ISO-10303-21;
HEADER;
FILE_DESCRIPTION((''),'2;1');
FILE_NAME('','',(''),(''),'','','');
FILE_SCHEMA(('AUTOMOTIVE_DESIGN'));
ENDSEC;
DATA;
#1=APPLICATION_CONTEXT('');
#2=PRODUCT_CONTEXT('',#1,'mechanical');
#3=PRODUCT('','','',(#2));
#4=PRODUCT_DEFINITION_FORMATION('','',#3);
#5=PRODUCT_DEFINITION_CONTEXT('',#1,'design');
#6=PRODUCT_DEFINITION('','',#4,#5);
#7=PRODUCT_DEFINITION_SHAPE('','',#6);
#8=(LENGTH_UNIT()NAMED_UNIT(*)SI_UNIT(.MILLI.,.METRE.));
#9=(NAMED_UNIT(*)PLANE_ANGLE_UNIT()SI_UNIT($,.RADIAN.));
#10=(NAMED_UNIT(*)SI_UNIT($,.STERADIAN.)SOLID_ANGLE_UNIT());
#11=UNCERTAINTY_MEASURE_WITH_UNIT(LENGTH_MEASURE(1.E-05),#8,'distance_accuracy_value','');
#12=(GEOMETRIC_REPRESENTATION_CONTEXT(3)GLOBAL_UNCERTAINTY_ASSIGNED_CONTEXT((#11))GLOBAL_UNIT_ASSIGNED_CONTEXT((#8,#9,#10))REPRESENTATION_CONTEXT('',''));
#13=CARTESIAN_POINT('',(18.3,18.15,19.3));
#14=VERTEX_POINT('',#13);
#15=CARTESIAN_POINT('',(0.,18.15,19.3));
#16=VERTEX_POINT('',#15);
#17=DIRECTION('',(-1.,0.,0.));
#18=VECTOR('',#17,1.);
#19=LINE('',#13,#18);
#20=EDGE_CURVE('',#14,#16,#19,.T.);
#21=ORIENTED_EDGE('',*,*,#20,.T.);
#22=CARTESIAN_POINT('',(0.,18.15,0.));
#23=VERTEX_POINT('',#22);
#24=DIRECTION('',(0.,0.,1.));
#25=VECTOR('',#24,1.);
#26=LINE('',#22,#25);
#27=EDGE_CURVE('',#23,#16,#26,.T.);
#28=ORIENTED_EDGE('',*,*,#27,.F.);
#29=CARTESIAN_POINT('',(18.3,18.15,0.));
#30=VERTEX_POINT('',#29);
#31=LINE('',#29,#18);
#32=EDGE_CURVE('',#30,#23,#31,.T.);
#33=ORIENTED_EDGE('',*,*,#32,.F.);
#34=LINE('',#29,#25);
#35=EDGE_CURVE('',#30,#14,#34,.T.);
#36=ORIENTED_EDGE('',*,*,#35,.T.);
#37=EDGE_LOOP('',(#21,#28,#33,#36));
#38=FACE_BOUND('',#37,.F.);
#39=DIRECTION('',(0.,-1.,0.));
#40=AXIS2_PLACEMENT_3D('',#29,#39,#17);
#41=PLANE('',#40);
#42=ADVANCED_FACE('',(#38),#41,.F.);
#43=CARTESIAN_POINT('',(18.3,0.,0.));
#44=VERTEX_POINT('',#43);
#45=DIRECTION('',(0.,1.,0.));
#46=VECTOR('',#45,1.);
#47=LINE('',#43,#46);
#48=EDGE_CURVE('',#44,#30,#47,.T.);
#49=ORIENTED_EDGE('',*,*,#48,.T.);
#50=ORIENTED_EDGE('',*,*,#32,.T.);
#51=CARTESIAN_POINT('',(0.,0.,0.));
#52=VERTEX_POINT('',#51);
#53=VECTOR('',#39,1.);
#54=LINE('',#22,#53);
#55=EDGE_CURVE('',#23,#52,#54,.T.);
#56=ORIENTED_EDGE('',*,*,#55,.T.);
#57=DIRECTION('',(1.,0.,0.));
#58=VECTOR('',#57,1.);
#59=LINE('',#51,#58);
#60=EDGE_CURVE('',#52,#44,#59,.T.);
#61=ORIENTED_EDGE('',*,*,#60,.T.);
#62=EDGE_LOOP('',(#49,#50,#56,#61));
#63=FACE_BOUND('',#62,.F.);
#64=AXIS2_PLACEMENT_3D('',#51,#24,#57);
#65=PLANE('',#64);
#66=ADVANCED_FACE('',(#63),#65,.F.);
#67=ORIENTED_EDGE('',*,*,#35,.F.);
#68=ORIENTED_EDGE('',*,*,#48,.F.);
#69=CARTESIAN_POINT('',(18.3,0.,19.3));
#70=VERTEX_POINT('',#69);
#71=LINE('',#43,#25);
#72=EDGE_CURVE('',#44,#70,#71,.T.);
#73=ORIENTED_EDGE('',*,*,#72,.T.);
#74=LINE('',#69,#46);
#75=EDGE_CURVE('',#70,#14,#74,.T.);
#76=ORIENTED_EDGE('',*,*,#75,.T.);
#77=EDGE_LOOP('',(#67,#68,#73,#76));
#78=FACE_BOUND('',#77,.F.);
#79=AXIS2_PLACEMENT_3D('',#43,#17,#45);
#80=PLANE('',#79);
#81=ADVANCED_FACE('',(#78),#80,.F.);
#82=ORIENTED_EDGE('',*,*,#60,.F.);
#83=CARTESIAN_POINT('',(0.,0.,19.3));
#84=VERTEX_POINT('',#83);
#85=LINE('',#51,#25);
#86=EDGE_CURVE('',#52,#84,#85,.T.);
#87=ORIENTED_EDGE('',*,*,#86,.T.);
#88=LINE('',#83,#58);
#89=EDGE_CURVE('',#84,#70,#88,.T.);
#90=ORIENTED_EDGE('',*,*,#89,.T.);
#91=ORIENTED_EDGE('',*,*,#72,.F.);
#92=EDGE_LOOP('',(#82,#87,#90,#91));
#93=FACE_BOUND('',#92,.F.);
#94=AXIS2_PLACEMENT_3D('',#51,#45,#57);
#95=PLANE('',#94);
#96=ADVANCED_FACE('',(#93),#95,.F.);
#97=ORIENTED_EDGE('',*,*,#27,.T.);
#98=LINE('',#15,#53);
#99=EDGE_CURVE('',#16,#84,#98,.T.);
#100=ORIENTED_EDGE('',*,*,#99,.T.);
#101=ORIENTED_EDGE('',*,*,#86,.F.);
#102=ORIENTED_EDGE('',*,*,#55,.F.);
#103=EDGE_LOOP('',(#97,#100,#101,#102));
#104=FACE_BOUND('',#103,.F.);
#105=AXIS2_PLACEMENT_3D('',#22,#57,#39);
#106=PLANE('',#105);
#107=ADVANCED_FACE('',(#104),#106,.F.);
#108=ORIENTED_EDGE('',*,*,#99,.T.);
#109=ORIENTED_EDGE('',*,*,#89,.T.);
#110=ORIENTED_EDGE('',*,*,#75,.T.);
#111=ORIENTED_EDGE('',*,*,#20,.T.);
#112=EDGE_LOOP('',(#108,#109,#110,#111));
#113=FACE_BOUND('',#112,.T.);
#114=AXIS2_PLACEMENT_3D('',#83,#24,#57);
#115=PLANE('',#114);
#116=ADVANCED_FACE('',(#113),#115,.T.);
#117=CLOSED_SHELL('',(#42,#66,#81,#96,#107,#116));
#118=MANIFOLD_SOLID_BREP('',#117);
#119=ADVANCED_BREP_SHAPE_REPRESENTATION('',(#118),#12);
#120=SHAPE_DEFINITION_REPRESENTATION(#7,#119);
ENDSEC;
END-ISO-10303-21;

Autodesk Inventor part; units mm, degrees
ref_plane "YZ Plane" through (0, 0, 0) normal (1, 0, 0) x (0, 1, 0)
ref_plane "XZ Plane" through (0, 0, 0) normal (0, 1, 0) x (-1, 0, 0)
ref_plane "XY Plane" through (0, 0, 0) normal (0, 0, 1) x (1, 0, 0)
sketch "Sketch1" plane through (0, 0, 0) normal (0, 0, 1) x (1, 0, 0)
  line L0 (0, 0) -> (18.3, 0)
  line L1 (18.3, 0) -> (18.3, 18.15)
  line L2 (18.3, 18.15) -> (0, 18.15)
  line L3 (0, 18.15) -> (0, 0)
  dimension "d0" = 18.3
  dimension "d1" = 18.15
extrude "Extrusion1" add sketch "Sketch1" along normal blind 19.3
properties part number "camera mount block"
